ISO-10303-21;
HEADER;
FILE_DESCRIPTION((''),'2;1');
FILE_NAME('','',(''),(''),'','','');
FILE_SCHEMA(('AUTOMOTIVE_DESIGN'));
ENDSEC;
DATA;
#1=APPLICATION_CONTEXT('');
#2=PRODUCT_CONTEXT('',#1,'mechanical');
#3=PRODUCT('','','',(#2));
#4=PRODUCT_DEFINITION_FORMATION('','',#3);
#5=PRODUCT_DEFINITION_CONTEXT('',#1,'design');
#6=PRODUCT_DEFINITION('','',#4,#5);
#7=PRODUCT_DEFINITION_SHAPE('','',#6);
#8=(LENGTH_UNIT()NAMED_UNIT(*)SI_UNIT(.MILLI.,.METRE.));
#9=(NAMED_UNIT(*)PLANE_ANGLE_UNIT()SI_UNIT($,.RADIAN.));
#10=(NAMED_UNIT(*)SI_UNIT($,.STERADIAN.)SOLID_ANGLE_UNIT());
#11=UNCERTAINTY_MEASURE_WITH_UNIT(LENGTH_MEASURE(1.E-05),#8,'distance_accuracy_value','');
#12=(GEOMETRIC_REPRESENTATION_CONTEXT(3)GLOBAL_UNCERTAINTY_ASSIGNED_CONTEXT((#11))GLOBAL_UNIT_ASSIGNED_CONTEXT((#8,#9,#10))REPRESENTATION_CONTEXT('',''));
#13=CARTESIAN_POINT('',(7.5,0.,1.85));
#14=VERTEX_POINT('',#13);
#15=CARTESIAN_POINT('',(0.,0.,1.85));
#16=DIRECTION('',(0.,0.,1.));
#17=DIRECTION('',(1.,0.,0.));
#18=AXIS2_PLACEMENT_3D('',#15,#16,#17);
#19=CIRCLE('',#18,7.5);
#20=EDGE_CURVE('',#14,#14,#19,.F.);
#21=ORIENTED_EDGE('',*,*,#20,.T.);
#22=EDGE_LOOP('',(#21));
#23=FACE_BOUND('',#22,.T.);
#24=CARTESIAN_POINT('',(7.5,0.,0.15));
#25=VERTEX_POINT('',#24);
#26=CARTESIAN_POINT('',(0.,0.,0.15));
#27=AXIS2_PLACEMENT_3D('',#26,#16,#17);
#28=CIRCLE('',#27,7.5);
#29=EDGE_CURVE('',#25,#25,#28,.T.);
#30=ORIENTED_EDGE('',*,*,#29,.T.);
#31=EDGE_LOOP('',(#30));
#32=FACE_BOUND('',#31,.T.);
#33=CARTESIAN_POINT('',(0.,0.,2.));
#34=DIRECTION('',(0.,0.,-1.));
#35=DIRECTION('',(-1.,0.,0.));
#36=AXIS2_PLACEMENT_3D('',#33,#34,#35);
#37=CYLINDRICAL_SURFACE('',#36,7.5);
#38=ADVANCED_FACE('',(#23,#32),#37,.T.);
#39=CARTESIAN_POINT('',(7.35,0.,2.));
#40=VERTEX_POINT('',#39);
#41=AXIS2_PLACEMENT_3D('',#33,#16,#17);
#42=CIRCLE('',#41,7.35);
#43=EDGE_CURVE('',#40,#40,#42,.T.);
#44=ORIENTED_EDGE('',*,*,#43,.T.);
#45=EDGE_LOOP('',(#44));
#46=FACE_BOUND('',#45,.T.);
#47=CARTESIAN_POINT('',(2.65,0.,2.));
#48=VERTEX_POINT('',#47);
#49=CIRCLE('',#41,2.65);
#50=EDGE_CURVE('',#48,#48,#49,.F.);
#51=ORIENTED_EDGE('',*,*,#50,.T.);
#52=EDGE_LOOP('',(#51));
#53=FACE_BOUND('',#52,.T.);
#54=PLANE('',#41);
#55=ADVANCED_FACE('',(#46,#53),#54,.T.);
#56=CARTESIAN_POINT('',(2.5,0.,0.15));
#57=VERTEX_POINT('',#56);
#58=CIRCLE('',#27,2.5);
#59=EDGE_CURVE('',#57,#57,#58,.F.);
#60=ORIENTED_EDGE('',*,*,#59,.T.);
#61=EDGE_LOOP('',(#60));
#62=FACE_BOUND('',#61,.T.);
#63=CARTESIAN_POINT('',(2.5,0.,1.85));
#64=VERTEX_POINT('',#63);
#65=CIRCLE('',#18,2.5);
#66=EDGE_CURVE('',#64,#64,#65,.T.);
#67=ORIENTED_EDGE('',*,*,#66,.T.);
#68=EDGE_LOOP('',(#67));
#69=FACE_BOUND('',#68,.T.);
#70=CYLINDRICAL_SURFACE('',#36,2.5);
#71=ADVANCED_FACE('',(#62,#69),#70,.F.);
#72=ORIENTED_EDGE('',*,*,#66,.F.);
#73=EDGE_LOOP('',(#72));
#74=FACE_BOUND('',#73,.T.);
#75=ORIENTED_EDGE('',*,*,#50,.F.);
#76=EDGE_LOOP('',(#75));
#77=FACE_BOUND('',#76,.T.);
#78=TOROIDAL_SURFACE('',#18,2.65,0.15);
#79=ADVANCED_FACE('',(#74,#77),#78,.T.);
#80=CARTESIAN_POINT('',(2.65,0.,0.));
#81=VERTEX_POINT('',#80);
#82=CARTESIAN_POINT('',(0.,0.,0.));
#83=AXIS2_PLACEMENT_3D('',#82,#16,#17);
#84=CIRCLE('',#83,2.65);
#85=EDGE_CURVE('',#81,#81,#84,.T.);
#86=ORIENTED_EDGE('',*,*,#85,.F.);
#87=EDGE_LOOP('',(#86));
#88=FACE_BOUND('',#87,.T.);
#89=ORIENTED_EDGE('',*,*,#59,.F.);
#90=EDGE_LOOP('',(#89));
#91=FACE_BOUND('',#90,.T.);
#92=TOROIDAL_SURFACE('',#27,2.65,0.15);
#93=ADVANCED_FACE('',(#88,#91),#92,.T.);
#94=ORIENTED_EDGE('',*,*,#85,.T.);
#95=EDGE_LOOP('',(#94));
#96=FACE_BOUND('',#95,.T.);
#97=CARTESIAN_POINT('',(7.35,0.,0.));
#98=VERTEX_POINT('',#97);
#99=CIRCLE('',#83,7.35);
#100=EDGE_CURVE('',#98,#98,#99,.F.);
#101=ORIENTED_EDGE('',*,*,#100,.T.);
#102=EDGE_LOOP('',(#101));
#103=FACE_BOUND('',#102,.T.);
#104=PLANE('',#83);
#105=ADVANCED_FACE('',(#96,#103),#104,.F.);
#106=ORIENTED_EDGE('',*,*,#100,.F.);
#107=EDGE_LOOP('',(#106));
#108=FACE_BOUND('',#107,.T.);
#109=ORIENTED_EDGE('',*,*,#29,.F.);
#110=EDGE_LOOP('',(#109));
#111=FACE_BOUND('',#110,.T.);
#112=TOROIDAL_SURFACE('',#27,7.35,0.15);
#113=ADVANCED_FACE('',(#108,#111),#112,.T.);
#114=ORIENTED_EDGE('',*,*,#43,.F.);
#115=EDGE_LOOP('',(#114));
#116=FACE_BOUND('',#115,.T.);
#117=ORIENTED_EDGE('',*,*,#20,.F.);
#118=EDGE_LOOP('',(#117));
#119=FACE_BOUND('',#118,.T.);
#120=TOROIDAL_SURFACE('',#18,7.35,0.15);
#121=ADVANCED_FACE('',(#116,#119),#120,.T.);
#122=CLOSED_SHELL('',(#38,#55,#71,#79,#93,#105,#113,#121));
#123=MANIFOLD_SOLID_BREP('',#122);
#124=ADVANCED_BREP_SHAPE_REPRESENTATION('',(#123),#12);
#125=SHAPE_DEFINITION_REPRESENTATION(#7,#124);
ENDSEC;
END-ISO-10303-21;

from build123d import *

# Parameters (mm, degrees)
SKETCH1_R           = 7.5
SKETCH1_R_2         = 2.5
BOSS_EXTRUDE1_DEPTH = 2
FILLET1_R           = 0.15


with BuildPart() as part:
    # Sketch1 → Boss-Extrude1 (new body)
    with BuildSketch(Plane.XY):
        Circle(SKETCH1_R)
        Circle(SKETCH1_R_2, mode=Mode.SUBTRACT)
    extrude(amount=BOSS_EXTRUDE1_DEPTH)

    # Fillet1
    fillet1_edges = [part.edges().sort_by_distance(p)[0] for p in [
        (-7.5, 0, 0),
        (-7.5, 0, 2),
        (-2.5, 0, 0),
        (-2.5, 0, 2),
    ]]
    fillet(fillet1_edges, radius=FILLET1_R)


solid = part.part
